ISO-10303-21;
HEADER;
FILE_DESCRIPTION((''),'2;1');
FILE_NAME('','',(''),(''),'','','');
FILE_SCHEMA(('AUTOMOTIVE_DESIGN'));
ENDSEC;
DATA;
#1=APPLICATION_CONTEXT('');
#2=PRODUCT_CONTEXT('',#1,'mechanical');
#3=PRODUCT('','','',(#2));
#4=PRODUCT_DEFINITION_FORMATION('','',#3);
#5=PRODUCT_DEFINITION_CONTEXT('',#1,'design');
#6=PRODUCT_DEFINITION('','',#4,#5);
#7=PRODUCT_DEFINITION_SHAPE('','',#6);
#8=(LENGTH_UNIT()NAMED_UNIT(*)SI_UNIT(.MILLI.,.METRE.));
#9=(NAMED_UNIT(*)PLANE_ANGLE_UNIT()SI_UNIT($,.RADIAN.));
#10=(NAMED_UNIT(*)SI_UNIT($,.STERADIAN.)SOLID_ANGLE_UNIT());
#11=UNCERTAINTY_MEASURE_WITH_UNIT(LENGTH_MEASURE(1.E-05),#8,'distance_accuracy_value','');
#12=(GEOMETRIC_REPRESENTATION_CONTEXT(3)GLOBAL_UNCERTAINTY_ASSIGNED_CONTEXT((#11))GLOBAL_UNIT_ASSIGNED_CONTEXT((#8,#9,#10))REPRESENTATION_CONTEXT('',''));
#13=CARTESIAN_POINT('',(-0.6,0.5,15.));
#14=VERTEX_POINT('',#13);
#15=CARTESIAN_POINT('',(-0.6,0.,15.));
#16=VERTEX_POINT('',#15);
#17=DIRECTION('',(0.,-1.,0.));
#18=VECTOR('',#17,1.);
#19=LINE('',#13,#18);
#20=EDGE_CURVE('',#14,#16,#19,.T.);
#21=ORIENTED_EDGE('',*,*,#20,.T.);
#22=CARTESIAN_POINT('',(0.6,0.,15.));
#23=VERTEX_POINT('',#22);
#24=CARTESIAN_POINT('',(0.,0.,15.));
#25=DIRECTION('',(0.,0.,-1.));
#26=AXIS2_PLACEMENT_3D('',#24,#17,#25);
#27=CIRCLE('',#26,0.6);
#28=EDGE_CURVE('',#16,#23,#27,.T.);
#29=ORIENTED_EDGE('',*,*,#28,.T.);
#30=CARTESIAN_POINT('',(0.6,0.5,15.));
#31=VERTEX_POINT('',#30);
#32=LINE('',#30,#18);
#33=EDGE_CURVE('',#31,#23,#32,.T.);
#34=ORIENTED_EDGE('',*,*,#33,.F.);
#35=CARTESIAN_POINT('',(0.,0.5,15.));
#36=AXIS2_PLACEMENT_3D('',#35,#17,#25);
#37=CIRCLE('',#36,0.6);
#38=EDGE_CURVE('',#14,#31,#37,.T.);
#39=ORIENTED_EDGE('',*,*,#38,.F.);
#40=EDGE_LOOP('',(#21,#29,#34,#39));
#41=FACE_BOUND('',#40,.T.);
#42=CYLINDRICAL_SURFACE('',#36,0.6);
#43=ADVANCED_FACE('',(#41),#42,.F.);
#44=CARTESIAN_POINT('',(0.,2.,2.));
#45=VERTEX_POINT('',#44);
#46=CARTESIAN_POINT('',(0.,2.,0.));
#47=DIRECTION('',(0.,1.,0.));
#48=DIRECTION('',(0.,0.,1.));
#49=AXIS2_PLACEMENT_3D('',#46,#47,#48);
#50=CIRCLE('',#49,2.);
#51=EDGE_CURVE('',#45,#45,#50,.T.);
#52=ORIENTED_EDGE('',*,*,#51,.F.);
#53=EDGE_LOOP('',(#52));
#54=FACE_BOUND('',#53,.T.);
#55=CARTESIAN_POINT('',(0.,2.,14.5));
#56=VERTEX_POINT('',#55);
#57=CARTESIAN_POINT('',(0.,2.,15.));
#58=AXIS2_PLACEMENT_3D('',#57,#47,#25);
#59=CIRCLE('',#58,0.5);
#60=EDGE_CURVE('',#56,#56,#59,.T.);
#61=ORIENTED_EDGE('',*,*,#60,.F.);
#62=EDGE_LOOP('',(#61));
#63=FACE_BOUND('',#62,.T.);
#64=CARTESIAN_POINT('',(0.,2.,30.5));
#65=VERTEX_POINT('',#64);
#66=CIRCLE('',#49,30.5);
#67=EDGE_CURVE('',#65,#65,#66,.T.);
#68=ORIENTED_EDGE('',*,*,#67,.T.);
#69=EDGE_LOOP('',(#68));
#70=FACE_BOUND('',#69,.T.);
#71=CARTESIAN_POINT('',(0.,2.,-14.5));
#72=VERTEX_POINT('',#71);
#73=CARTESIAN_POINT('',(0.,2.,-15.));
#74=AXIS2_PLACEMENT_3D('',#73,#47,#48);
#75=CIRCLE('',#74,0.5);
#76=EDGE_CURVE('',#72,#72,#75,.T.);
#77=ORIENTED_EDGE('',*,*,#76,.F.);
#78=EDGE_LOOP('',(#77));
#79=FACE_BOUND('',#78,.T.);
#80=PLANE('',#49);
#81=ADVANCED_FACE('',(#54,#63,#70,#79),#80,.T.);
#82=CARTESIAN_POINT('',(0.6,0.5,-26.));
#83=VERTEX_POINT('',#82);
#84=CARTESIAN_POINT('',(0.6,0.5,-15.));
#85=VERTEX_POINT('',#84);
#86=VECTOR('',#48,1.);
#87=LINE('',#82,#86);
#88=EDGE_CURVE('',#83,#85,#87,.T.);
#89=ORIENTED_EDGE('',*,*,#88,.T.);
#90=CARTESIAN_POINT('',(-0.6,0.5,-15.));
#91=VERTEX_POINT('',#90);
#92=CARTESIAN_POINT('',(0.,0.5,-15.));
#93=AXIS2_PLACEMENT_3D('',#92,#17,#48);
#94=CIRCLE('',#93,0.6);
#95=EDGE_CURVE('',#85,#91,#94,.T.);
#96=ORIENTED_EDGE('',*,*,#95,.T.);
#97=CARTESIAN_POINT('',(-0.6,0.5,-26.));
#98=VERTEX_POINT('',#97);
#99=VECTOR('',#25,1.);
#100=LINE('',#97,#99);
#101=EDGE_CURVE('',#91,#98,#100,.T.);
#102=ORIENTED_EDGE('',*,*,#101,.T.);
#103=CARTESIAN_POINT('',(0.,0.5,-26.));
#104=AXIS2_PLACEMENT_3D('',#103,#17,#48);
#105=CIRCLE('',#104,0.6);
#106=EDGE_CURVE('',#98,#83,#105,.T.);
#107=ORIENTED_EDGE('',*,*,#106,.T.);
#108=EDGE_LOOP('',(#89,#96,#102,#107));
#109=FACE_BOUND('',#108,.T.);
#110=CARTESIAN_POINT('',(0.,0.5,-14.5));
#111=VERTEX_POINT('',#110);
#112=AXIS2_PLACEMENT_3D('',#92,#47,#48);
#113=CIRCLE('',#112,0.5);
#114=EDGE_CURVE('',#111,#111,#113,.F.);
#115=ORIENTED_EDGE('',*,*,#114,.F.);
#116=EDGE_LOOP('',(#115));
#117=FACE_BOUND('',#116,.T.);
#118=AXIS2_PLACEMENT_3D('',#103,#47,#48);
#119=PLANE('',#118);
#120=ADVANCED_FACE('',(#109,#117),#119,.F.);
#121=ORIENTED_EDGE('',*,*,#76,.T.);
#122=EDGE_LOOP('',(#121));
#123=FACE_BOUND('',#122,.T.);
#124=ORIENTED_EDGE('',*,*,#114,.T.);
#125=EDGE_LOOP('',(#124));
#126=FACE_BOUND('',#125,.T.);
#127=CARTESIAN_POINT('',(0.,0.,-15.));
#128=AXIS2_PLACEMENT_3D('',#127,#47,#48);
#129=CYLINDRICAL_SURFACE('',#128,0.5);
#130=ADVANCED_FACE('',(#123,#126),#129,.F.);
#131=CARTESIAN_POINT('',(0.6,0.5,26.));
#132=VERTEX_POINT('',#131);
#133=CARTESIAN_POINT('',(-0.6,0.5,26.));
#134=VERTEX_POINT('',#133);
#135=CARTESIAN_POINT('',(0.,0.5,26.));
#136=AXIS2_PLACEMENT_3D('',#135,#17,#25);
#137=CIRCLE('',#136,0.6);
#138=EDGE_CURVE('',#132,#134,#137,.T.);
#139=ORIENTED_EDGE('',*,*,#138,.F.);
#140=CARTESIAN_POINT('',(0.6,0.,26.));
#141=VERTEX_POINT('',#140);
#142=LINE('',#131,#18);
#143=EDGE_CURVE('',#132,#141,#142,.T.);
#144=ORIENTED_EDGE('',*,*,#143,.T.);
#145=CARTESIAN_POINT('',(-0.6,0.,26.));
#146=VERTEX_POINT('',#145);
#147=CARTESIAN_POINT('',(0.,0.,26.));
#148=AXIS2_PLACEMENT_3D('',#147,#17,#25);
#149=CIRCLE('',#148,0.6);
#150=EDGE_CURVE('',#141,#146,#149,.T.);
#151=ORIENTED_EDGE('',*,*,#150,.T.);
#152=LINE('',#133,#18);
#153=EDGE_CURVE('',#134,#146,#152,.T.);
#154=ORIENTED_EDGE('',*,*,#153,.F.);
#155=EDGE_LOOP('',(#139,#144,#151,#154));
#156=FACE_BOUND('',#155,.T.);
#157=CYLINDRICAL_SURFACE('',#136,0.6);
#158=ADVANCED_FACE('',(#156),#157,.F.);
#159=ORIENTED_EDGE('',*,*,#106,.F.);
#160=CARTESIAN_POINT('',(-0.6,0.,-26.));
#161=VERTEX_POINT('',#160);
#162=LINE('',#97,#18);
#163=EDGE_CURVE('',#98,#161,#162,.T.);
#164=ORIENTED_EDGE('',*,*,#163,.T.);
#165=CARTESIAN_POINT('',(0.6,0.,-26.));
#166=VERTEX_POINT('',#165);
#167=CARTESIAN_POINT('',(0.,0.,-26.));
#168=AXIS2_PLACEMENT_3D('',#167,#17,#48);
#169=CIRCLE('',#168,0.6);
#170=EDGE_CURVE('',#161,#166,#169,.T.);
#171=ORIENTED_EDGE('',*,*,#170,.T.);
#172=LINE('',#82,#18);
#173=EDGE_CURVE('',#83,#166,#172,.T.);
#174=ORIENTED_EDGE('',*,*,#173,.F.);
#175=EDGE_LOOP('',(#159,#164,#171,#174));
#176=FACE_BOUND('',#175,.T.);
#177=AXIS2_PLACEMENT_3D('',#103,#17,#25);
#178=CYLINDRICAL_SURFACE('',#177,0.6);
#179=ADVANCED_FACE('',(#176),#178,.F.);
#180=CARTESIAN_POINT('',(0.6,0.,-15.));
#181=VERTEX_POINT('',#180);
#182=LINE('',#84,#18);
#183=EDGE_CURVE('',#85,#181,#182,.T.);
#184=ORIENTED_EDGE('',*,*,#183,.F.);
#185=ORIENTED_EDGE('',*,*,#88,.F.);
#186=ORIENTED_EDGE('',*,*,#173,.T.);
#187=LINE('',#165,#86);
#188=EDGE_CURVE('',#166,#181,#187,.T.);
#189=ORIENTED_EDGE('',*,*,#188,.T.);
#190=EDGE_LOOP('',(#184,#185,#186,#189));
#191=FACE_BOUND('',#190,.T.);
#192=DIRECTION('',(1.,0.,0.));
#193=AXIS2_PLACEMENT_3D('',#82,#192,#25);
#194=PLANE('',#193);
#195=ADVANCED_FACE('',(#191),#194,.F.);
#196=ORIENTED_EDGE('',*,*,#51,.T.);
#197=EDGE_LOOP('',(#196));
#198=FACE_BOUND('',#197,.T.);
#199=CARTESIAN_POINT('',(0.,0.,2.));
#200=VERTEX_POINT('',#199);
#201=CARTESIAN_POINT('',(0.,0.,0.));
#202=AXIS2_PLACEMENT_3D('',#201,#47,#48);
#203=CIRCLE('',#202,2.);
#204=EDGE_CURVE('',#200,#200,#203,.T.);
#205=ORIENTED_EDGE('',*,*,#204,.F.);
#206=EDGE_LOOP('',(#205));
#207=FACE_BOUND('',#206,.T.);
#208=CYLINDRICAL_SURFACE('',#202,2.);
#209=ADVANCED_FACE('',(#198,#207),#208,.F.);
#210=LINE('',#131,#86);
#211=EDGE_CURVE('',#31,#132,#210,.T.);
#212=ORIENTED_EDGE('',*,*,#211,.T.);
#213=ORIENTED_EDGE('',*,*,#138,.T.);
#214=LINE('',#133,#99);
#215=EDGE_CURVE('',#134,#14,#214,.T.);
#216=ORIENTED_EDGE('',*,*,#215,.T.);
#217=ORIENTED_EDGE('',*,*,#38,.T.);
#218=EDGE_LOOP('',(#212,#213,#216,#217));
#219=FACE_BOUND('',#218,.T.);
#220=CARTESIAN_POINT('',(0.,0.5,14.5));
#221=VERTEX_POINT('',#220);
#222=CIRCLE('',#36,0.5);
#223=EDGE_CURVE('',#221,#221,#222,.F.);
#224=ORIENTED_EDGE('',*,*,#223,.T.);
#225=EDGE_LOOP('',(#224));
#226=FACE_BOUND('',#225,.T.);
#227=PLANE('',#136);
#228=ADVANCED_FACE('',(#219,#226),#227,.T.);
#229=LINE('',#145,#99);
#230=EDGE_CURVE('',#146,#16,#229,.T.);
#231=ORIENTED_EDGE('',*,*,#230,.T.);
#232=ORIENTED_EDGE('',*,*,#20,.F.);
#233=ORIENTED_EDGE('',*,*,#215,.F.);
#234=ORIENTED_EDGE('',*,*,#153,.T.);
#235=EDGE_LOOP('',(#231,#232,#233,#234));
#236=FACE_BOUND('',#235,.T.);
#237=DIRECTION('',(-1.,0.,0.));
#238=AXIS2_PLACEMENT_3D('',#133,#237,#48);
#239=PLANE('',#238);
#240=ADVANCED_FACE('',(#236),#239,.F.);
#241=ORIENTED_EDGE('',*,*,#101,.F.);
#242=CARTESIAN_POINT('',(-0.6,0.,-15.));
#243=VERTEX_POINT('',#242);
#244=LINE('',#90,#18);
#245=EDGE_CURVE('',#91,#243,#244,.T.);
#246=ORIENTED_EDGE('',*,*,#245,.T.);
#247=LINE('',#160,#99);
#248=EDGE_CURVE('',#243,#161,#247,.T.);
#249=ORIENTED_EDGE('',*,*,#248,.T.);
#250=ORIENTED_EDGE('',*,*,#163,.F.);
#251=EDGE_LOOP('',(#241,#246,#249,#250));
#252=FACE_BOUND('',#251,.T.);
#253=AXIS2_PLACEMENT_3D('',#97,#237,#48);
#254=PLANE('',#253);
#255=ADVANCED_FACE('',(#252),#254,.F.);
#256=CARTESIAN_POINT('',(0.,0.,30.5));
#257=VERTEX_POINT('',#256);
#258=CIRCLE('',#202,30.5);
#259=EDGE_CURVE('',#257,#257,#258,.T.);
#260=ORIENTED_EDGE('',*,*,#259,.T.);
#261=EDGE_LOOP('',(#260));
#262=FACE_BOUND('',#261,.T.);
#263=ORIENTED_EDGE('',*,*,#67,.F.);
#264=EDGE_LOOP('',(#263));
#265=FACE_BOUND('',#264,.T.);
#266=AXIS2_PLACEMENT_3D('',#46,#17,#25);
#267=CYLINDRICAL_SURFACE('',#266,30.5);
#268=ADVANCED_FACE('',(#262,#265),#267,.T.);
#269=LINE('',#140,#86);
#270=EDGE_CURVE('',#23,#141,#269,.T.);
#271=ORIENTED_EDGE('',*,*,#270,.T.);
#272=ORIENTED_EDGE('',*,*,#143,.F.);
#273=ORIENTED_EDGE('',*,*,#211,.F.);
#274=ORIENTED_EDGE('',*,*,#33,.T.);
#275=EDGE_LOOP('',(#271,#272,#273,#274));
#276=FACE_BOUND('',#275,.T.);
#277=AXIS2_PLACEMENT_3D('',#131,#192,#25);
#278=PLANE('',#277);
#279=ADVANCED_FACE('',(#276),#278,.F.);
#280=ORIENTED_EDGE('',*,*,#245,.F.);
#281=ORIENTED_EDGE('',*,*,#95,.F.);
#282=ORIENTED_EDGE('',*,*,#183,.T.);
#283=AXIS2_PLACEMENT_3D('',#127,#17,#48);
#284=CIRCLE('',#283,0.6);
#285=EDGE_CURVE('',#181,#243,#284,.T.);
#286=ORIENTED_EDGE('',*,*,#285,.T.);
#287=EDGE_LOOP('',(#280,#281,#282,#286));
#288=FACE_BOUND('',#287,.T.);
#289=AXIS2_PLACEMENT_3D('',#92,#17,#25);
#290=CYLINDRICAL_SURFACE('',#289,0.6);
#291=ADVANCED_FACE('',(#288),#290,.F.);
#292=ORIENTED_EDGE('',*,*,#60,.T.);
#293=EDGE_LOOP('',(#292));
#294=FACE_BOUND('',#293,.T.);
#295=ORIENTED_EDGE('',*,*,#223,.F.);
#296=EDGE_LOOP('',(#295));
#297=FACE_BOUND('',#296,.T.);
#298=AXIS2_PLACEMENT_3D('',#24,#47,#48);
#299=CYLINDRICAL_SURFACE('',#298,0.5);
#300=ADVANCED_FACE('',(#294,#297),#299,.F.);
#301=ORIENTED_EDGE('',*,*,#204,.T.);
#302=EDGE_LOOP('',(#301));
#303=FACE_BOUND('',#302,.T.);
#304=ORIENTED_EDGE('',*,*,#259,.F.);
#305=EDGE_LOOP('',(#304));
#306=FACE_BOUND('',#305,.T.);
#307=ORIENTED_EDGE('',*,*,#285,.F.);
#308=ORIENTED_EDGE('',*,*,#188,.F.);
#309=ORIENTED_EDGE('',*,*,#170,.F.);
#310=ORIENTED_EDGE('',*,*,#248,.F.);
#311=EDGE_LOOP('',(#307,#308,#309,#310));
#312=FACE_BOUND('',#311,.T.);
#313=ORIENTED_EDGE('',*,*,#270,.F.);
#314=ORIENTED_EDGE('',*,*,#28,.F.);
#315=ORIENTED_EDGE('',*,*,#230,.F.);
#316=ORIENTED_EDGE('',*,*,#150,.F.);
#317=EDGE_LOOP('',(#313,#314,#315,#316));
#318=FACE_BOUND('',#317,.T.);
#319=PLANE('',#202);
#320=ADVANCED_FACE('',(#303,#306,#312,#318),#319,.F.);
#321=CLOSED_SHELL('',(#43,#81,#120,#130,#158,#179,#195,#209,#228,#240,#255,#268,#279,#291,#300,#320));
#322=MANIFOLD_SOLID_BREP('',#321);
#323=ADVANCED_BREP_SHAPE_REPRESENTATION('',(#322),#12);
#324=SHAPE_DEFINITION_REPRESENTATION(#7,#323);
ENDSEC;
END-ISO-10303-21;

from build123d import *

# Parameters (mm, degrees)
SKETCH1_R           = 30.5
BOSS_EXTRUDE1_DEPTH = 2
SKETCH2_R           = 2
CUT_EXTRUDE1_DEPTH  = 44.179856415
SKETCH4_R           = 0.5
CUT_EXTRUDE2_DEPTH  = 44.179856415
CUT_EXTRUDE3_DEPTH  = 0.5


with BuildPart() as part:
    # Sketch1 → Boss-Extrude1 (new body)
    with BuildSketch(Plane(origin=(0, 0, 0), x_dir=(1, 0, 0), z_dir=(0, 1, 0))):
        with Locations(Location((0, 0, 0), (0, 0, 270))):
            Circle(SKETCH1_R)
    extrude(amount=BOSS_EXTRUDE1_DEPTH)

    # Sketch2 → Cut-Extrude1 (cut, through all)
    with BuildSketch(Plane(origin=(0, 2, 0), x_dir=(1, 0, 0), z_dir=(0, 1, 0))):
        with Locations(Location((0, 0, 0), (0, 0, 270))):
            Circle(SKETCH2_R)
    extrude(amount=-CUT_EXTRUDE1_DEPTH, mode=Mode.SUBTRACT)

    # Sketch4 → Cut-Extrude2 (cut, through all)
    with BuildSketch(Plane(origin=(0, 2, 0), x_dir=(1, 0, 0), z_dir=(0, 1, 0))):
        with Locations(Location((0, 15, 0), (0, 0, 270))):
            Circle(SKETCH4_R)
        with Locations(Location((0, -15, 0), (0, 0, 90))):
            Circle(SKETCH4_R)
    extrude(amount=-CUT_EXTRUDE2_DEPTH, mode=Mode.SUBTRACT)

    # Sketch5 → Cut-Extrude3 (cut)
    with BuildSketch(Plane.XZ):
        with BuildLine():
            Line((0.599999999, 26), (0.599999999, 15))
            ThreePointArc((0.599999999, 15), (0, 14.400000002), (-0.599999999, 15))
            Line((-0.599999999, 15), (-0.599999999, 26))
            ThreePointArc((-0.599999999, 26), (0, 26.599999999), (0.599999999, 26))
        make_face()
        with BuildLine():
            Line((0.599999999, -26), (0.599999999, -15.000000001))
            ThreePointArc((0.599999999, -15.000000001), (0, -14.400000003), (-0.599999999, -15.000000001))
            Line((-0.599999999, -15.000000001), (-0.599999999, -26))
            ThreePointArc((-0.599999999, -26), (0, -26.6), (0.599999999, -26))
        make_face()
    extrude(amount=-CUT_EXTRUDE3_DEPTH, mode=Mode.SUBTRACT)


solid = part.part
